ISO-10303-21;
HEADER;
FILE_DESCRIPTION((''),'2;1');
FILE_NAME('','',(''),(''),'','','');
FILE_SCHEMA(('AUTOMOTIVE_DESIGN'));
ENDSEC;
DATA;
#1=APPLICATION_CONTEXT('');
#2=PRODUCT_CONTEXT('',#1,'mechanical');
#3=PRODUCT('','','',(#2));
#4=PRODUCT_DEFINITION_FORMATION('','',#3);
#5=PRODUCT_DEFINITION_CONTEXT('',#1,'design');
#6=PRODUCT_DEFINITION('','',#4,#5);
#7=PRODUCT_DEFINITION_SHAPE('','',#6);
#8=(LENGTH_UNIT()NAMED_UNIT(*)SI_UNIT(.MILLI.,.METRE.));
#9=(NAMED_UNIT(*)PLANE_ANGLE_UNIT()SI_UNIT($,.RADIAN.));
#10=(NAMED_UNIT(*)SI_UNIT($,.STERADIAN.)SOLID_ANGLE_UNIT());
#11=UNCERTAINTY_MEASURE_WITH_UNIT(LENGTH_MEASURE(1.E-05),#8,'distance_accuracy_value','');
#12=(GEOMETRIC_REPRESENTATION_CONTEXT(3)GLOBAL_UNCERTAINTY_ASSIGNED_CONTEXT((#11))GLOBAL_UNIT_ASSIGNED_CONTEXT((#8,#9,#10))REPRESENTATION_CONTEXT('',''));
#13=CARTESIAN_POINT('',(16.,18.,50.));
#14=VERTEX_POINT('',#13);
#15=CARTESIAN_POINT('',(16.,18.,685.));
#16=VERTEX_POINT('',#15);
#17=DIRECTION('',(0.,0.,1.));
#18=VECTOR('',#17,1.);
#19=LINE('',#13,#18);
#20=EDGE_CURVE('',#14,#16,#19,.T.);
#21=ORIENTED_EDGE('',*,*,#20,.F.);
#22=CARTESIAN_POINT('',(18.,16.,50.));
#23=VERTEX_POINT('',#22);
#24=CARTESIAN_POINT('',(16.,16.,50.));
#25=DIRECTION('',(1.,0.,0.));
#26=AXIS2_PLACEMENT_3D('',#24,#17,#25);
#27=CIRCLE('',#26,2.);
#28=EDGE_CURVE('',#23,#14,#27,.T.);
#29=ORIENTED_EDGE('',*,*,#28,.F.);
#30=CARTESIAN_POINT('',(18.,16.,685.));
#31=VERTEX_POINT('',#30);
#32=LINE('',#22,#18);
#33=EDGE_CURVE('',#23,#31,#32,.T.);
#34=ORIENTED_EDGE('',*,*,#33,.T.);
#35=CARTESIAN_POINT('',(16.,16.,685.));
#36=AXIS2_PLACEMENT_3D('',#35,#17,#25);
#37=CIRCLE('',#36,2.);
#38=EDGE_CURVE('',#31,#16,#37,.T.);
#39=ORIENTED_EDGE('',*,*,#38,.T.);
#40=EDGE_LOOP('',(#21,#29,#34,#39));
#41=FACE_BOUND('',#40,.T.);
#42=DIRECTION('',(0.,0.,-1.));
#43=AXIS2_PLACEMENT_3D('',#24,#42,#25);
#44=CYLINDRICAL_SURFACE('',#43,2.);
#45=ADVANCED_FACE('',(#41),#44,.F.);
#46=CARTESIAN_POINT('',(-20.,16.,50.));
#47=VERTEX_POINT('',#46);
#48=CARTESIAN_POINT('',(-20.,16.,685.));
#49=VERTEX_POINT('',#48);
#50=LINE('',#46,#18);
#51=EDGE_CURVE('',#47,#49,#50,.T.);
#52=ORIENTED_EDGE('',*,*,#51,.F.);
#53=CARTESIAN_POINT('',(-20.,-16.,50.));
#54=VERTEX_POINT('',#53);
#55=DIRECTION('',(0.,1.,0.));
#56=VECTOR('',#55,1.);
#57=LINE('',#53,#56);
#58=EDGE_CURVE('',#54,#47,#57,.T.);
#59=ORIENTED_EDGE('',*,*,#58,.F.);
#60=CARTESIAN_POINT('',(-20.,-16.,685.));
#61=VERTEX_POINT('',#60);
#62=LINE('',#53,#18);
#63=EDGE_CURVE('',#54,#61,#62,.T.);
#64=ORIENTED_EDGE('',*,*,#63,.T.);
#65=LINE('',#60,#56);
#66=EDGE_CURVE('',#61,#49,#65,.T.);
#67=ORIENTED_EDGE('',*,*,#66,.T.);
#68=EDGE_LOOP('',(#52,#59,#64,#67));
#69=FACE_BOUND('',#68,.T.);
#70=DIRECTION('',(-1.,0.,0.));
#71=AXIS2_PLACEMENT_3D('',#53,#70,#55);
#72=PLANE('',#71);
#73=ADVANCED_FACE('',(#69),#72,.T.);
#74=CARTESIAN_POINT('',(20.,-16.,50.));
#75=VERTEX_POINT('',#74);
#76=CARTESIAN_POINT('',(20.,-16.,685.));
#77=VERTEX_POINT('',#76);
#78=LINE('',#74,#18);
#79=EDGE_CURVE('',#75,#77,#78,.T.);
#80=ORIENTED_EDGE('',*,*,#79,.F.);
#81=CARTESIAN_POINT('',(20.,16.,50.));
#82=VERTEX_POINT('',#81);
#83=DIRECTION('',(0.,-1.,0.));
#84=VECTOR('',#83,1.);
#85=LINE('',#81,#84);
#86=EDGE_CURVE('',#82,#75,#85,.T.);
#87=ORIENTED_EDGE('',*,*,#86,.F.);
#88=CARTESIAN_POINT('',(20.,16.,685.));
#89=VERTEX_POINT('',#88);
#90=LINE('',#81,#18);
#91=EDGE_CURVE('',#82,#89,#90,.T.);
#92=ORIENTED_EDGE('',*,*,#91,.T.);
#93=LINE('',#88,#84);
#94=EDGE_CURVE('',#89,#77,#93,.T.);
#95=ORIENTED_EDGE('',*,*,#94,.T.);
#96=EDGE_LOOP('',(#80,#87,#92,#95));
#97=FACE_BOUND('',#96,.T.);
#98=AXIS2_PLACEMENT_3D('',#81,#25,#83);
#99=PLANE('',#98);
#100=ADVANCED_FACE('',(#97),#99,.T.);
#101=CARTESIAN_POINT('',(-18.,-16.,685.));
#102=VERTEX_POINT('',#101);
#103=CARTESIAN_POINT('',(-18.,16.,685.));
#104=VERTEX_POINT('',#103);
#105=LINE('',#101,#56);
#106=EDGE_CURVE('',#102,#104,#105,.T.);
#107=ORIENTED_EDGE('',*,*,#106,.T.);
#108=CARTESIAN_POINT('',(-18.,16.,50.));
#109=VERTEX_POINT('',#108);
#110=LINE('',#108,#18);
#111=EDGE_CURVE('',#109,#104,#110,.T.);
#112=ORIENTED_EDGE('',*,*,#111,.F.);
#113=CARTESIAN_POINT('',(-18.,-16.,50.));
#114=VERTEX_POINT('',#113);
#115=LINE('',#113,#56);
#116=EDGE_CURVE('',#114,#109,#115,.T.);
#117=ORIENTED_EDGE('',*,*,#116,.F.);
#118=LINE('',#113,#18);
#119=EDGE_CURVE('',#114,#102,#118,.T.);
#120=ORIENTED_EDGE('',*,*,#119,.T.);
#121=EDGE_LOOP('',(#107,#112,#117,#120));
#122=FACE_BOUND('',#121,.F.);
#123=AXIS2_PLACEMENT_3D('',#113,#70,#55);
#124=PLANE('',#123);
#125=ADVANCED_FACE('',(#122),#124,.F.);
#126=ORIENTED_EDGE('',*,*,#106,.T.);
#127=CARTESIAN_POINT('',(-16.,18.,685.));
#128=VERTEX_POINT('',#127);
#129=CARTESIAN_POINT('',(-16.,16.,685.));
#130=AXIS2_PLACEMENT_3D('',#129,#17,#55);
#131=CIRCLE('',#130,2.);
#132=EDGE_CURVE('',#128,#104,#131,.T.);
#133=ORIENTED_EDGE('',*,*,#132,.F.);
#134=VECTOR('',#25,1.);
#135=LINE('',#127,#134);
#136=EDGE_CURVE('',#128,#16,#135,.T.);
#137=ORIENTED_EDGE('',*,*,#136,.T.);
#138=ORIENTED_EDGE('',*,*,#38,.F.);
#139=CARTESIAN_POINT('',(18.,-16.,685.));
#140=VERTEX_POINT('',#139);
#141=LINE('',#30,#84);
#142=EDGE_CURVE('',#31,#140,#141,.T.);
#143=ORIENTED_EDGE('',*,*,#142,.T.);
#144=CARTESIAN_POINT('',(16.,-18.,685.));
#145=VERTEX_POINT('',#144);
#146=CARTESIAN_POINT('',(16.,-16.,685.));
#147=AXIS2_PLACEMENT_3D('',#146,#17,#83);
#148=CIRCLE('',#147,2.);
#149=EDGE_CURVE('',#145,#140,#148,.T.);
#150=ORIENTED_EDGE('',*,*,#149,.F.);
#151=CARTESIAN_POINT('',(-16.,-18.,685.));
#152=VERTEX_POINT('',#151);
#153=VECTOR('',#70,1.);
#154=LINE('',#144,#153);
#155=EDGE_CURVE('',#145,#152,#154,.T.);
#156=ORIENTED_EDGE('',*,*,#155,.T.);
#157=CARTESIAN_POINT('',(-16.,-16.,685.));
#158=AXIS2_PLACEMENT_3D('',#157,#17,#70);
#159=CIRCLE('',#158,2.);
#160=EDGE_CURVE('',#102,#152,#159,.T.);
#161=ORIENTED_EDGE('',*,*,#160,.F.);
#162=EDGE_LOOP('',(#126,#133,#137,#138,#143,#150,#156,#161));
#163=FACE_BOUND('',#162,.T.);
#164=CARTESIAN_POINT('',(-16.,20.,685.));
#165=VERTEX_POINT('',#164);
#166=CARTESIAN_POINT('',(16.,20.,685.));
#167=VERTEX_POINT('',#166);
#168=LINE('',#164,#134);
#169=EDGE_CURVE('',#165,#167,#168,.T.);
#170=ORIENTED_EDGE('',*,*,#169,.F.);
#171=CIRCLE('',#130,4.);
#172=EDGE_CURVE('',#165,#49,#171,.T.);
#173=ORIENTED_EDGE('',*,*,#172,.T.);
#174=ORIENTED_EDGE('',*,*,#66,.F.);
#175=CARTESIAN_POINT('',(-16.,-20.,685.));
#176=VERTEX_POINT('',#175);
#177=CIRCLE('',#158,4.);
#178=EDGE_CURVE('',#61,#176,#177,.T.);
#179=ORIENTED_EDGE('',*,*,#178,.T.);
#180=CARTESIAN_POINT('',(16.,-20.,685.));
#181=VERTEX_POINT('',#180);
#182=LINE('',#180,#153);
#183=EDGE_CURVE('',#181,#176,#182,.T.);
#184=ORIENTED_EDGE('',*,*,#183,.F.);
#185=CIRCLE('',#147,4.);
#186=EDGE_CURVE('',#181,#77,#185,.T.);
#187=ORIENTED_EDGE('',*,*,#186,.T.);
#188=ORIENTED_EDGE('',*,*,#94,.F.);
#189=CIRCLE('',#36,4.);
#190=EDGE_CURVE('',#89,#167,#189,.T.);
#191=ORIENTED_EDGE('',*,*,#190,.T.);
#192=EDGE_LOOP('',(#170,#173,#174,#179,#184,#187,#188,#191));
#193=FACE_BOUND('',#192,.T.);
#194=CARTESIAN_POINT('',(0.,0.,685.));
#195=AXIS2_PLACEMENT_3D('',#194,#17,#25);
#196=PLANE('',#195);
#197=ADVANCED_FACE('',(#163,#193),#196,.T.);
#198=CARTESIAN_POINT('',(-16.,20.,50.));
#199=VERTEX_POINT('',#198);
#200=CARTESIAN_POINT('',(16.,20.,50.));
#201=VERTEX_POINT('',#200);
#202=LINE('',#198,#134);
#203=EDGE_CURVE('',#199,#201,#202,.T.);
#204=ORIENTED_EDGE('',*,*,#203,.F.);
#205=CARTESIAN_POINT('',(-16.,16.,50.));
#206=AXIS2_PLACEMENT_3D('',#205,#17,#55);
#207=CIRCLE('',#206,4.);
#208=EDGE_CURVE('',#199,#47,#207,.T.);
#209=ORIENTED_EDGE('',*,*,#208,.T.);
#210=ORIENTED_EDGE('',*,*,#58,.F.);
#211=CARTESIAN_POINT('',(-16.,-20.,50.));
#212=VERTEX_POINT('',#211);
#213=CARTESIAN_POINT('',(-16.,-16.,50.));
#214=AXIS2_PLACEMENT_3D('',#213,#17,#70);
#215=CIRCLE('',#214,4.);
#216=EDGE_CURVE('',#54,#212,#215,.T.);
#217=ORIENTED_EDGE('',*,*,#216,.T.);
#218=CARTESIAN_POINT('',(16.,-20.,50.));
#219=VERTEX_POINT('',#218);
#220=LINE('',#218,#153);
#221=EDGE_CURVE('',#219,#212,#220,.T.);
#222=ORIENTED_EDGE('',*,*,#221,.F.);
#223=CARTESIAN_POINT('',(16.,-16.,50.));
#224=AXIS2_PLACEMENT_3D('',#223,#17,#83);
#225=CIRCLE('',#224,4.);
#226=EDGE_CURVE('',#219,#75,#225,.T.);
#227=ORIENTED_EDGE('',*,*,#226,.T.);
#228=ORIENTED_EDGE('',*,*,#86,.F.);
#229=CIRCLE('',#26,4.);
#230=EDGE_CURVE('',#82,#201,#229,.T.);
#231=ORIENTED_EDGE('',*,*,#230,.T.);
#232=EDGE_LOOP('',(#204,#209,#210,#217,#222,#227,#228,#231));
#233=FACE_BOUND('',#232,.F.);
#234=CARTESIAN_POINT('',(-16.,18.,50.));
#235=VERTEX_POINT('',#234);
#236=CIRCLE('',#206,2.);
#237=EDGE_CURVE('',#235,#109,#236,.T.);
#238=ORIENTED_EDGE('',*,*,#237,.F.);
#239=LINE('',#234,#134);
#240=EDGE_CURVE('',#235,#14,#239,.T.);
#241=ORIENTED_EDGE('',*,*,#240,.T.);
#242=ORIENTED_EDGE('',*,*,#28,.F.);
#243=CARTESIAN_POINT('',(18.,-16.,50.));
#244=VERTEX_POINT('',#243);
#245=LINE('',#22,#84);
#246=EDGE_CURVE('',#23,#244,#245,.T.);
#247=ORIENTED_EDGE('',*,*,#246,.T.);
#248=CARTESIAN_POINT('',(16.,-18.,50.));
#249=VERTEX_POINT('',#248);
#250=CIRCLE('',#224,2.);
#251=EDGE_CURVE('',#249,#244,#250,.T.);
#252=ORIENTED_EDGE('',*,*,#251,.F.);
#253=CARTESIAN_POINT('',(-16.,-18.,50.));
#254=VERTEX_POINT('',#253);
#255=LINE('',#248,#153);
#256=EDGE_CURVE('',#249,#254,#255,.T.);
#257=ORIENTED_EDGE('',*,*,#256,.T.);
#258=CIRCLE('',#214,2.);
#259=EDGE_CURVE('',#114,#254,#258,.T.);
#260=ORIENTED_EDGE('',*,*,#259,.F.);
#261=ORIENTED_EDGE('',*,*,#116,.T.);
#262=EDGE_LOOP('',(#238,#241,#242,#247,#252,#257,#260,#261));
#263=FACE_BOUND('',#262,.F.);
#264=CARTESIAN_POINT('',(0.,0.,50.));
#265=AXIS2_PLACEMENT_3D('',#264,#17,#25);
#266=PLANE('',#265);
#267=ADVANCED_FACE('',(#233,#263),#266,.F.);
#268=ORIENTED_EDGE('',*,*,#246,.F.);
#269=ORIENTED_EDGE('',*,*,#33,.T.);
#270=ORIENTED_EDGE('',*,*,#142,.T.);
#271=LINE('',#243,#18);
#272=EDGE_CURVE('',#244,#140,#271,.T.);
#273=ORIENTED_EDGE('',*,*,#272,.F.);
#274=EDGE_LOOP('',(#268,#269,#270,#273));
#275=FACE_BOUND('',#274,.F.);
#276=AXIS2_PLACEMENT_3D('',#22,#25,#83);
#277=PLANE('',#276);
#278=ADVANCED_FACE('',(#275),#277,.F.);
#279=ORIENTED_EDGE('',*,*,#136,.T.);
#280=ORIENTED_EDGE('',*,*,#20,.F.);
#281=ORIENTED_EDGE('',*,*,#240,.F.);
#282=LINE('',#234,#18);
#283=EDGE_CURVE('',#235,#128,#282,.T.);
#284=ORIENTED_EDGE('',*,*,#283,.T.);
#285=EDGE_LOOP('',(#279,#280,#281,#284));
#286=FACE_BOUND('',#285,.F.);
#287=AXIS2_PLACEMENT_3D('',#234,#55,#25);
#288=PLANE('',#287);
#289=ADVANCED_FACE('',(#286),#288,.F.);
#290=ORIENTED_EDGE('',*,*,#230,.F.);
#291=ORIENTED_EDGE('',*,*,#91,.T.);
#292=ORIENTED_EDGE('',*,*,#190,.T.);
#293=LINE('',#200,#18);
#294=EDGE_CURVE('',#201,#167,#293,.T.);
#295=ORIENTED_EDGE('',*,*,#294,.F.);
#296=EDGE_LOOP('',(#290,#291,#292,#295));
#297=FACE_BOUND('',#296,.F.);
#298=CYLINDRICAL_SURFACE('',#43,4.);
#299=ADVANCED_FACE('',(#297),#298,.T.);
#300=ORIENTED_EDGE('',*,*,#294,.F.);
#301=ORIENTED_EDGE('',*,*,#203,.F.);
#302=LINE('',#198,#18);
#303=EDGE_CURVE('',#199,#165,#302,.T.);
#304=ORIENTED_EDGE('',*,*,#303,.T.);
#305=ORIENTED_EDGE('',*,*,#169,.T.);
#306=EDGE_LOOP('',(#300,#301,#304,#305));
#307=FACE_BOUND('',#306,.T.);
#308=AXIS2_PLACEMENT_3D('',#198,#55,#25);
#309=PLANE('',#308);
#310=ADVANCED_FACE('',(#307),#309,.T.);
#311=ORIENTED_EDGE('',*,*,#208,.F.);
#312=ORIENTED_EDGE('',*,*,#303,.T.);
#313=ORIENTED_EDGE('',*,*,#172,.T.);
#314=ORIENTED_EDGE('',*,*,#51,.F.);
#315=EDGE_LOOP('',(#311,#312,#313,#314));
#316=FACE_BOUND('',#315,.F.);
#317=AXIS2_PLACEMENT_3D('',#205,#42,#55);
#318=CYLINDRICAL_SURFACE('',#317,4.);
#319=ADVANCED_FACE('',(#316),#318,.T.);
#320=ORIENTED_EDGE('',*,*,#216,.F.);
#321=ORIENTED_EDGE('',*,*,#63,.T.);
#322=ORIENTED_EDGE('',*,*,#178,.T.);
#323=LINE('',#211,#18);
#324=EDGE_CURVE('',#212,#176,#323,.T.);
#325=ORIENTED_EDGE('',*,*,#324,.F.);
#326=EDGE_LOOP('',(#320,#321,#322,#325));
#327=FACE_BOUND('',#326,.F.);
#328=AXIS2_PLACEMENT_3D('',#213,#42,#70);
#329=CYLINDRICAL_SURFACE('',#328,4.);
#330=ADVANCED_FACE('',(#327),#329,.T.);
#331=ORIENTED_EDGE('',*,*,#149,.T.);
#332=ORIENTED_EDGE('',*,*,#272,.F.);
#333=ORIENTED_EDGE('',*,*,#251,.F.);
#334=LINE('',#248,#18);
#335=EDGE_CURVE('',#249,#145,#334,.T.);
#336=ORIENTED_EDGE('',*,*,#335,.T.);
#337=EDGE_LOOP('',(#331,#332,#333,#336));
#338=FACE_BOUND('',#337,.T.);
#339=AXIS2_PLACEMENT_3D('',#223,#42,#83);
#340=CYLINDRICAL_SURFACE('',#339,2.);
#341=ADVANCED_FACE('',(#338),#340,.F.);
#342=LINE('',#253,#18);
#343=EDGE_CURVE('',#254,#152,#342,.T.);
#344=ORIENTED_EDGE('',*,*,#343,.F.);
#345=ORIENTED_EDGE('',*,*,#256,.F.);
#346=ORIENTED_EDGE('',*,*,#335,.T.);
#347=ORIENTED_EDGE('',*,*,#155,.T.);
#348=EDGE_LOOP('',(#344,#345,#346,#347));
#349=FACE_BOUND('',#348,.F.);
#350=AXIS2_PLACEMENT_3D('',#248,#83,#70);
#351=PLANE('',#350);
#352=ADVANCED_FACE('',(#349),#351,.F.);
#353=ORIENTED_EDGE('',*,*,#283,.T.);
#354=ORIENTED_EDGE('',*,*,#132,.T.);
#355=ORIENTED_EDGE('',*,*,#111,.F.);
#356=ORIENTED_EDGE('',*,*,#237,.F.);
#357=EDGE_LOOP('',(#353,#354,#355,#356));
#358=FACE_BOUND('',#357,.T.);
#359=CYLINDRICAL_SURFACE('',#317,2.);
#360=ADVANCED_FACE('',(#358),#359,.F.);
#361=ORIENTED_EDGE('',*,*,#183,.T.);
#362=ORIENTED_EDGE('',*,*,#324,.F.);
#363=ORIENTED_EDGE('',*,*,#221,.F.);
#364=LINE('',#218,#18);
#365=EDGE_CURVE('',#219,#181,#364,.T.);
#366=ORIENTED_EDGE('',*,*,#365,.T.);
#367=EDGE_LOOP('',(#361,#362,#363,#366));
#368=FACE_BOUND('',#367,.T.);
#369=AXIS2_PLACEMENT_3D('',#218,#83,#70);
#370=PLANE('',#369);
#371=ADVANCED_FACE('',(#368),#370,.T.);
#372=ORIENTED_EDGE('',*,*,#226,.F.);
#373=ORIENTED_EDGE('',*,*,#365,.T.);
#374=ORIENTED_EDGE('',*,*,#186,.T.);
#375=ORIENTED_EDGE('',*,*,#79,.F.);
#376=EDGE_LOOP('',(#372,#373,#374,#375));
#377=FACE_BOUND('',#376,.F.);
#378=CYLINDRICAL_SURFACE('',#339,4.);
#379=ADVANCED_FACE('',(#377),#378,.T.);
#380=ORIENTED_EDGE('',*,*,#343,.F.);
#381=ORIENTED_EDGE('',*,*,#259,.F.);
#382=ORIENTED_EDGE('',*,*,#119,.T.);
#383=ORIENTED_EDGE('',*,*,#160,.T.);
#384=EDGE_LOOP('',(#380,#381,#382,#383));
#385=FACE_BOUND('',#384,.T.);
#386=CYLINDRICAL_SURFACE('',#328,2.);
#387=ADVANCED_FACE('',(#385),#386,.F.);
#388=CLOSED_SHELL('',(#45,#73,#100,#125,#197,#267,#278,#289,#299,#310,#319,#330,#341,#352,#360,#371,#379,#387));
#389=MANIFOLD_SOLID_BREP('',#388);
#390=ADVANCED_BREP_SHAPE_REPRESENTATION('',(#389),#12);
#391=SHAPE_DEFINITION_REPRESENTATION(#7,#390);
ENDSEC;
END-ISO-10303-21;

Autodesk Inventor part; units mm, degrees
ref_plane "YZ Plane" through (0, 0, 0) normal (1, 0, 0) x (0, 1, 0)
ref_plane "Start Plane" through (0, 0, 50) normal (0, 0, 1) x (1, 0, 0)
ref_plane "End Plane" through (0, 0, 685) normal (0, 0, 1) x (1, 0, 0)
sketch "Sketch" plane through (0, 0, 0) normal (0, 0, 1) x (1, 0, 0)
  line L0 (-20, -16) -> (-20, 16)
  line L1 (-16, 20) -> (16, 20)
  line L2 (20, 16) -> (20, -16)
  line L3 (16, -20) -> (-16, -20)
  arc A0 (-20, -16) -> (-16, -20) centre (-16, -16) ccw
  arc A1 (20, 16) -> (16, 20) centre (16, 16) ccw
  arc A2 (-16, 20) -> (-20, 16) centre (-16, 16) ccw
  arc A3 (16, -20) -> (20, -16) centre (16, -16) ccw
  arc A4 (-16, 18) -> (-18, 16) centre (-16, 16) ccw
  line L4 (-16, 18) -> (16, 18)
  arc A5 (18, 16) -> (16, 18) centre (16, 16) ccw
  line L5 (18, 16) -> (18, -16)
  arc A6 (16, -18) -> (18, -16) centre (16, -16) ccw
  line L6 (16, -18) -> (-16, -18)
  arc A7 (-18, -16) -> (-16, -18) centre (-16, -16) ccw
  line L7 (-18, -16) -> (-18, 16)
  line L8 (0, 29.1598) -> (0, -29.1598) construction
  line L9 (-29.1598, 0) -> (29.1598, 0) construction
  dimension "d7" = 4
  dimension "d9" = 40
  dimension "d11" = 40
  dimension "d12" = 2
  dimension "d15" = 20
  dimension "d16" = 20
extrude "Body" add sketch "Sketch" along normal up to surface (635 mm away) from surface at 50
sketch "Sketch3" plane through (0, 0, 0) normal (0, 0, 1) x (1, 0, 0)
  line L0 (0, 0) -> (10, 0)
ref_plane "Work Plane3" through (0, 0, 0) normal (0, -1, 0) x (1, 0, 0)
sketch "Sketch4" plane through (0, 0, 0) normal (0, -1, 0) x (1, 0, 0)
  line L0 (-2, 50) -> (12, 50) projected
  line L1 (-2, 685) -> (12, 685) projected
  dimension "d18" = 635
equation "\"d7\" = G_IR"
equation "\"d9\" = G_W"
equation "\"d11\" = G_H"
equation "\"d12\" = G_T"
equation "\"d15\" = 0.5 * d9"
equation "\"d16\" = 0.5 * d11"
equation "\"d3\" = G_L"
equation "\"G_W\" = 40"
equation "\"G_H\" = 40"
equation "\"G_T\" = 2"
equation "\"G_IR\" = 4"
equation "\"G_L\" = d18"
equation "\"d14\" = G_OFFSET_END + B_L"
equation "\"B_L\" = 705"
equation "\"G_OFFSET_END\" = -20"
properties part number "ISO 10799-2 - 40x40x2 - 635" material "Steel, Mild"
